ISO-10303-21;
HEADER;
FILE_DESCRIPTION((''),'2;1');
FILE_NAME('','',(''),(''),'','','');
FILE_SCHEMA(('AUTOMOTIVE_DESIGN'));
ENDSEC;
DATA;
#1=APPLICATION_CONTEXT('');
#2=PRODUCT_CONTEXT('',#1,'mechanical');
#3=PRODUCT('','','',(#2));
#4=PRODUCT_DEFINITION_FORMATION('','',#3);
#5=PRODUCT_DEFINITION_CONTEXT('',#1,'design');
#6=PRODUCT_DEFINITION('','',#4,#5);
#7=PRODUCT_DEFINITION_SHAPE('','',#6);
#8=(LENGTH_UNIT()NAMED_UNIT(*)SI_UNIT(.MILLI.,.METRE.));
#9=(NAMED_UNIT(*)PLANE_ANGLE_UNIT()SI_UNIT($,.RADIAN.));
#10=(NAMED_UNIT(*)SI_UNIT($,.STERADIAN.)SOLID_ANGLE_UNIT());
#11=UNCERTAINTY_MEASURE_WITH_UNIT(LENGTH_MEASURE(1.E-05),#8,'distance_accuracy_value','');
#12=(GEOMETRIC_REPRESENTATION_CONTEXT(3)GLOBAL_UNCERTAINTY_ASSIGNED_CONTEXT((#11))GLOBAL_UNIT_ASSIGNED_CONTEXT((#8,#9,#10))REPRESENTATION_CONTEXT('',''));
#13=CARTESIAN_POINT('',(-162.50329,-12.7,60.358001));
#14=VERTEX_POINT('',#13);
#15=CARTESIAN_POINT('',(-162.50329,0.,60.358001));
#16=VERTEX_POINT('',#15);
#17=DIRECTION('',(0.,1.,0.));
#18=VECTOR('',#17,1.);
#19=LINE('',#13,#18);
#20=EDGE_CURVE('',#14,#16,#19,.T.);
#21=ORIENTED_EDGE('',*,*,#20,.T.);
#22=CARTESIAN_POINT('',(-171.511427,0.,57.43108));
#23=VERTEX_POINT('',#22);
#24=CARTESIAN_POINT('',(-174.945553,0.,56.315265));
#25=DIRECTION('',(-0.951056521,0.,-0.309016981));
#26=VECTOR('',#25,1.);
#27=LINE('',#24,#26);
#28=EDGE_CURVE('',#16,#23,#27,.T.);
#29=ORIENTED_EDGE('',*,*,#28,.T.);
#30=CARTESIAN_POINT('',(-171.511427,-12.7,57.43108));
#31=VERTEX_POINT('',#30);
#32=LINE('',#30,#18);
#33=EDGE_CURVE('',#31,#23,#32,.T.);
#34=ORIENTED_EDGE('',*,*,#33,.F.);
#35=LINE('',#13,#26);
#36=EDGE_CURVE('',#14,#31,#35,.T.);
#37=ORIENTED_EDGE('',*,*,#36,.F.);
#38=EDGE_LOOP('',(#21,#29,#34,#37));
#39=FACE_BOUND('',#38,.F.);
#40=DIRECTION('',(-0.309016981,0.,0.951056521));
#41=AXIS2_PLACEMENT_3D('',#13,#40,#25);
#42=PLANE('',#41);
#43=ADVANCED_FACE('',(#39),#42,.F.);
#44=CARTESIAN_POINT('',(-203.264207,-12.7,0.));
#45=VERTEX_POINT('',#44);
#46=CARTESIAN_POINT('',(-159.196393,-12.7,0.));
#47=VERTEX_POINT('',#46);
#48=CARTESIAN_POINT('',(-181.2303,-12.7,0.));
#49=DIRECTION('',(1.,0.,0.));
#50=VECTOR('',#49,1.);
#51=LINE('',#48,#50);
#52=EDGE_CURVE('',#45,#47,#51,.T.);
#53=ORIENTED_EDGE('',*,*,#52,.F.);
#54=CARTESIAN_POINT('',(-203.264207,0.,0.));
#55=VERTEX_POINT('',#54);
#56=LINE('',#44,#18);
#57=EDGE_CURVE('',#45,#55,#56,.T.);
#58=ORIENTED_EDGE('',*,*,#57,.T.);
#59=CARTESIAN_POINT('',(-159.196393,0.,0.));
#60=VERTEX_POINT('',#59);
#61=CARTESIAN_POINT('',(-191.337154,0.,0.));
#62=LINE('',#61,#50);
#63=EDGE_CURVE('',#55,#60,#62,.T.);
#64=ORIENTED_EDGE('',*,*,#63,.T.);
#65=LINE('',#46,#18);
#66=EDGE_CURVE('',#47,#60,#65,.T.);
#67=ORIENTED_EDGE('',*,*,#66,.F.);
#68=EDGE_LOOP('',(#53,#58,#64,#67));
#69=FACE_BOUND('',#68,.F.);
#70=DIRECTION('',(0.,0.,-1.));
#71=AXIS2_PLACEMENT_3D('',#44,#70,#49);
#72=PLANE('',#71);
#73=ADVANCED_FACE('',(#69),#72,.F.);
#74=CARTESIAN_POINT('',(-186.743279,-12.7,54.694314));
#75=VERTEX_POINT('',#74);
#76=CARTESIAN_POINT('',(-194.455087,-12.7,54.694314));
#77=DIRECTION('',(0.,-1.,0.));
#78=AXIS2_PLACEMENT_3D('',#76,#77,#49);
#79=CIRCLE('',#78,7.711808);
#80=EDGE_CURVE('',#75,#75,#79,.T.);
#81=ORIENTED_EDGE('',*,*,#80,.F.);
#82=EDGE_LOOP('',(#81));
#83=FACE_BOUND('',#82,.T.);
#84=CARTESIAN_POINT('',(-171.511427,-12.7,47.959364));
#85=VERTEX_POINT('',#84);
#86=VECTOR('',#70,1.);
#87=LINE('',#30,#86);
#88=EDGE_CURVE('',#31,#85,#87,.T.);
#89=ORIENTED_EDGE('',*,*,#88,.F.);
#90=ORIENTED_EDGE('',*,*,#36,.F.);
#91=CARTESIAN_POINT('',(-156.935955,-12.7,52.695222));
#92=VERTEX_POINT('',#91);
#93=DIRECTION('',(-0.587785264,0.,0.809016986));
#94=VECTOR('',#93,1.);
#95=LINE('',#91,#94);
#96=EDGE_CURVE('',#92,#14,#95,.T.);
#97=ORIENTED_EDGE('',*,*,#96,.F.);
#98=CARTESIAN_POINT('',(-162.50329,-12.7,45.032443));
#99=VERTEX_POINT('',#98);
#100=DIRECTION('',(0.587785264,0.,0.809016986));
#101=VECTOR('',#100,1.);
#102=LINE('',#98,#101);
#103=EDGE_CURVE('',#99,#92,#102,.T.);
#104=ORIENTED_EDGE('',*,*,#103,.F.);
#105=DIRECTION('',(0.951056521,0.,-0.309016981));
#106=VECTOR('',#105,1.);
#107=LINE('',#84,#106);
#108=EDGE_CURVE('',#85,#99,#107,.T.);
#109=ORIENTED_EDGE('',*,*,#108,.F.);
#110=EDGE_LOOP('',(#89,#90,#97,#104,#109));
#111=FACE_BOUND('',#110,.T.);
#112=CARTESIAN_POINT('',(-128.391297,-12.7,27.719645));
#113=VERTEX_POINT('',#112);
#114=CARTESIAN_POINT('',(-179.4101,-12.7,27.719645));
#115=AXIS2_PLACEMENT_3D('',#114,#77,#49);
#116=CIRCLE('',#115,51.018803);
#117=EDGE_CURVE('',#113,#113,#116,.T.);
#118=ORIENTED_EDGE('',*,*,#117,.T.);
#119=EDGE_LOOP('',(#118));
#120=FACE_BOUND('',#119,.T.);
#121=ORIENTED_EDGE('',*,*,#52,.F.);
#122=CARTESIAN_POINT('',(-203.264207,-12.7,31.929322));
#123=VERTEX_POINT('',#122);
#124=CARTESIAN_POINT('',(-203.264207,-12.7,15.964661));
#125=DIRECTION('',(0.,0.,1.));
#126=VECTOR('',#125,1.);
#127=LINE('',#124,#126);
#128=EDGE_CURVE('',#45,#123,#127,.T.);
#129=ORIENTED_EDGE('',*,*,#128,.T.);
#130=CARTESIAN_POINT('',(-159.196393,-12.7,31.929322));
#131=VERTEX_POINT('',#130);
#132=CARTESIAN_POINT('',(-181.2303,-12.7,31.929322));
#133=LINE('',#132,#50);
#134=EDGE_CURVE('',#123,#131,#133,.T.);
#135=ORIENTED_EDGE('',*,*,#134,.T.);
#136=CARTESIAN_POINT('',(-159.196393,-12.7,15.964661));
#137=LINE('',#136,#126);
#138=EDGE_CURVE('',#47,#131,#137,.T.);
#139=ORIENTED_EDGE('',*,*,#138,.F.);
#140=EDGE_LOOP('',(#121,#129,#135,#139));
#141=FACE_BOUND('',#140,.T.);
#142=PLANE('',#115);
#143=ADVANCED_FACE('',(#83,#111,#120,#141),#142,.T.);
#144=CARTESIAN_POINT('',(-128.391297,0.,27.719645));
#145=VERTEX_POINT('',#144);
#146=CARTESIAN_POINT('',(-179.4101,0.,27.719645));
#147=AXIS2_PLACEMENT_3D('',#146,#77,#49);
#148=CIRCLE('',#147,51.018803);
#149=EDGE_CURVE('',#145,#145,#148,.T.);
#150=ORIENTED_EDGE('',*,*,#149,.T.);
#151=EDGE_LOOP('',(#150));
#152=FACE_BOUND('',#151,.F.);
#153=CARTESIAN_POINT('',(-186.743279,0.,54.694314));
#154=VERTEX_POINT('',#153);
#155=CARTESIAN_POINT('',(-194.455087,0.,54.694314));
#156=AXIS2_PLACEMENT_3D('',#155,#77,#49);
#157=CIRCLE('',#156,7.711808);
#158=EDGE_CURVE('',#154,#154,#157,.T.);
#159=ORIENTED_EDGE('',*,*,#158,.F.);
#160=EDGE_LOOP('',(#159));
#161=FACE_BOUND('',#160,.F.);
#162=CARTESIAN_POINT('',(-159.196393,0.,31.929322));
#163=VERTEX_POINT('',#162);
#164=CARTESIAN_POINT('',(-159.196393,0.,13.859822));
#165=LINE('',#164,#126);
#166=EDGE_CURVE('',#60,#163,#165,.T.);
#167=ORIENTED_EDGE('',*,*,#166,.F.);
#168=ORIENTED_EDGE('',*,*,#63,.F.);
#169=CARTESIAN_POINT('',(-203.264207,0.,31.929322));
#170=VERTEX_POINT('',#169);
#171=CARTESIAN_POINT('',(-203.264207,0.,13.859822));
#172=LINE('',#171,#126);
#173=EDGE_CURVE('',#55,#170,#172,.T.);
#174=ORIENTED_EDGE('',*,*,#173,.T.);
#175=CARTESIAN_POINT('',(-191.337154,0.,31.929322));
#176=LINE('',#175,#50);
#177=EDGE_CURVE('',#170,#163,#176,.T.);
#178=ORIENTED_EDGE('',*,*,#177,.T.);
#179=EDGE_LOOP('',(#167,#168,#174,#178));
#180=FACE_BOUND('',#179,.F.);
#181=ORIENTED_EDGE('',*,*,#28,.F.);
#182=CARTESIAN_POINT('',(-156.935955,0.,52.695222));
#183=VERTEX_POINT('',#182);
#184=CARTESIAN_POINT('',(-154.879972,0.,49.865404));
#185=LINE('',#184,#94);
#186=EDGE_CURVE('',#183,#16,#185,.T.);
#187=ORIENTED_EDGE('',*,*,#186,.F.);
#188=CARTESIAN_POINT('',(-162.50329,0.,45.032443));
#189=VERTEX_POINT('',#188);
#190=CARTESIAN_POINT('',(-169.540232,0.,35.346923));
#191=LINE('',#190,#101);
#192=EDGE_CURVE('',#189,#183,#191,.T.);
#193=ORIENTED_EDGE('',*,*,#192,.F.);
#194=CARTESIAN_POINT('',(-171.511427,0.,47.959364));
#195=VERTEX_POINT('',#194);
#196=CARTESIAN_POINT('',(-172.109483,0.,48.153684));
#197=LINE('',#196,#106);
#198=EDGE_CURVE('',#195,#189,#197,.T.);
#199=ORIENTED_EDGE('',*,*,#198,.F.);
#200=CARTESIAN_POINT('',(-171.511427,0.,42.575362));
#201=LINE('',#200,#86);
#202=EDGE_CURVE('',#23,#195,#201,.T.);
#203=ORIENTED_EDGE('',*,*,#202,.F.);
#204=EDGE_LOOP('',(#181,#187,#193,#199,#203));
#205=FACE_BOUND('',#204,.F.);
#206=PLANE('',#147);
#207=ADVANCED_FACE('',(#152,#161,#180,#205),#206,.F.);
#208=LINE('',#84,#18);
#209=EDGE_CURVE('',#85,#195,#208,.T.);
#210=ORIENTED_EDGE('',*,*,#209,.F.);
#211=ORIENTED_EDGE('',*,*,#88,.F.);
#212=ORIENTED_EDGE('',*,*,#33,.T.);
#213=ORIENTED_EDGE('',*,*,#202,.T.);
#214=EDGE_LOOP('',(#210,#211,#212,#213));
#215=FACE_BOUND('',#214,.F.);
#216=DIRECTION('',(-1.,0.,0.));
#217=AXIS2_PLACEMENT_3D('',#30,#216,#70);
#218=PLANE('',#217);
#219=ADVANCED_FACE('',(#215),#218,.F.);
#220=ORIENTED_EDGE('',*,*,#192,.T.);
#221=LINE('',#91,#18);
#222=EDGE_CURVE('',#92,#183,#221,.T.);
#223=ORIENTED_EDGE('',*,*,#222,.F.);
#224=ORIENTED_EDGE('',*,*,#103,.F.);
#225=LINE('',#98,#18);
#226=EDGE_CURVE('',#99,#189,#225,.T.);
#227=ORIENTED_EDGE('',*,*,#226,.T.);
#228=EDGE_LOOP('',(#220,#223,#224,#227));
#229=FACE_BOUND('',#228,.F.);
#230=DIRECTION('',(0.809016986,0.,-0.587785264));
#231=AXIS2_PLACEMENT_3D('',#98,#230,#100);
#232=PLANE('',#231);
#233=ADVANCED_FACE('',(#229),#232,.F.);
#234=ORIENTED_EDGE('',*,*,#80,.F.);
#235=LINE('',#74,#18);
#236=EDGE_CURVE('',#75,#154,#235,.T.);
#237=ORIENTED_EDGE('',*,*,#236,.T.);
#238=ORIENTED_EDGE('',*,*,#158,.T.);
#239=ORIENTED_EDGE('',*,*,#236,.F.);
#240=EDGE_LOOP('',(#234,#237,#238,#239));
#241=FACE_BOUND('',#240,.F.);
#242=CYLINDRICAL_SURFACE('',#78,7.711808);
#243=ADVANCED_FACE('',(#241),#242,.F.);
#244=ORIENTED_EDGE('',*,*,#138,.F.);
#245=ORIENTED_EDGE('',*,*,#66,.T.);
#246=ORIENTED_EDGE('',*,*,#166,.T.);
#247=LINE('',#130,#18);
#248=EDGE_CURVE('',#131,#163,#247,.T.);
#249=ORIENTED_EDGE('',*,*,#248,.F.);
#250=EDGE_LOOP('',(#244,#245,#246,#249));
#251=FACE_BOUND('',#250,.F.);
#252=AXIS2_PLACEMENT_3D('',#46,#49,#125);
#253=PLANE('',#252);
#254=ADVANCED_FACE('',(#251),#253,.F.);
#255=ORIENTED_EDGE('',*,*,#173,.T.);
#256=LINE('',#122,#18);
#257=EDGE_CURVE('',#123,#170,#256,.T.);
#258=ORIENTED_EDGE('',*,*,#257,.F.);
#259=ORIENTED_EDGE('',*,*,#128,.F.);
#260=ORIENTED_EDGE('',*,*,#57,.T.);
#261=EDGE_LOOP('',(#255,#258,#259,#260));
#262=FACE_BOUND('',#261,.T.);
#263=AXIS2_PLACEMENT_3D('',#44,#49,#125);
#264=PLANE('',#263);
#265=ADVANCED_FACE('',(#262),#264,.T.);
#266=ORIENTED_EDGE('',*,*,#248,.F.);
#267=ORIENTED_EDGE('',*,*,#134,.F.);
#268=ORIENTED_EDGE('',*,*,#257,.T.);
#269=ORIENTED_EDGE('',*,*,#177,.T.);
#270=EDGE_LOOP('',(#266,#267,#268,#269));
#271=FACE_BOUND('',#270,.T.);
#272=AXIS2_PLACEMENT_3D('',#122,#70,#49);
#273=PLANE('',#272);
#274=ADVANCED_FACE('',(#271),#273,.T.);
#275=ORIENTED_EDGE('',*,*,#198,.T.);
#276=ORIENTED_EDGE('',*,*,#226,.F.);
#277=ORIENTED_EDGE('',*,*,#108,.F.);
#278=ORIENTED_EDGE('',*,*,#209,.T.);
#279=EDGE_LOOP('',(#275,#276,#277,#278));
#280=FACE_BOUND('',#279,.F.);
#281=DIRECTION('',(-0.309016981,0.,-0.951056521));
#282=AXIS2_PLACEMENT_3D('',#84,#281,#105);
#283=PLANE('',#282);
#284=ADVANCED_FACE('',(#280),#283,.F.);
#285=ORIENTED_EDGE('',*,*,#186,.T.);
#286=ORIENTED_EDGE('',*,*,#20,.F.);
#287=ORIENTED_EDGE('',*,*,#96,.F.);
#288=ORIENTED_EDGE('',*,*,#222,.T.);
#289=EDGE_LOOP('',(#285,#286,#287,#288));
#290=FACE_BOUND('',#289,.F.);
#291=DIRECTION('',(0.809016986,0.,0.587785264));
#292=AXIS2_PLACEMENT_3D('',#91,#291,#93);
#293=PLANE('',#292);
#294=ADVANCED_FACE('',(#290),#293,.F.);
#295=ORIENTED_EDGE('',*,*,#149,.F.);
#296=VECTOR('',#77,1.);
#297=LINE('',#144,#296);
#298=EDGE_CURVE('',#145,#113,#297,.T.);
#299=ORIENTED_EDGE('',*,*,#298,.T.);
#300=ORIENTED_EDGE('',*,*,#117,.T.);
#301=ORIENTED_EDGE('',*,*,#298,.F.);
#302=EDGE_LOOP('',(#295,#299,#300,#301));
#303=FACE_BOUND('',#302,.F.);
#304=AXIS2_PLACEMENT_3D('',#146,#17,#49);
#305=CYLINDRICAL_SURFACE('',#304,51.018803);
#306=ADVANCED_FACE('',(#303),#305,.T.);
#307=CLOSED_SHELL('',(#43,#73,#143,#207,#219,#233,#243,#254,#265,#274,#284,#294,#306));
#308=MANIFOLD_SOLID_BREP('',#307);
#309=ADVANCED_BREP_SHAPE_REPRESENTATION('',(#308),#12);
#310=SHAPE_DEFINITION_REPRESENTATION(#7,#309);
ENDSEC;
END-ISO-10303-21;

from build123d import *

# Parameters (mm, degrees)
F0_R     = 51.018803
F1_DEPTH = 12.7
F2_W     = 44.067815
F2_H     = 31.929322
F3_DEPTH = 25.4
F5_DEPTH = 25.4
F6_R     = 7.711808
F7_DEPTH = 25.4


with BuildPart() as f1:
    # F0 (on Front) → F1 (new body)
    with BuildSketch(Plane.XZ):
        with Locations((-179.4101, 27.719645)):
            Circle(F0_R)
    extrude(amount=F1_DEPTH)

    # F2 (on face) → F3 (cut)
    with BuildSketch(Plane.XZ.offset(12.7)):
        with Locations((-181.2303, 15.964661)):
            Rectangle(F2_W, F2_H)
    extrude(amount=-F3_DEPTH, mode=Mode.SUBTRACT)

    # F4 (on face) → F5 (cut)
    with BuildSketch(Plane.XZ.offset(12.7)):
        Polygon((-171.511427, 57.43108), (-171.511427, 47.959364), (-162.50329, 45.032443), (-156.935955, 52.695222), (-162.50329, 60.358001), align=None)
    extrude(amount=-F5_DEPTH, mode=Mode.SUBTRACT)

    # F6 (on face) → F7 (cut)
    with BuildSketch(Plane.XZ.offset(12.7)):
        with Locations((-194.455087, 54.694314)):
            Circle(F6_R)
    extrude(amount=-F7_DEPTH, mode=Mode.SUBTRACT)


solid = f1.part
